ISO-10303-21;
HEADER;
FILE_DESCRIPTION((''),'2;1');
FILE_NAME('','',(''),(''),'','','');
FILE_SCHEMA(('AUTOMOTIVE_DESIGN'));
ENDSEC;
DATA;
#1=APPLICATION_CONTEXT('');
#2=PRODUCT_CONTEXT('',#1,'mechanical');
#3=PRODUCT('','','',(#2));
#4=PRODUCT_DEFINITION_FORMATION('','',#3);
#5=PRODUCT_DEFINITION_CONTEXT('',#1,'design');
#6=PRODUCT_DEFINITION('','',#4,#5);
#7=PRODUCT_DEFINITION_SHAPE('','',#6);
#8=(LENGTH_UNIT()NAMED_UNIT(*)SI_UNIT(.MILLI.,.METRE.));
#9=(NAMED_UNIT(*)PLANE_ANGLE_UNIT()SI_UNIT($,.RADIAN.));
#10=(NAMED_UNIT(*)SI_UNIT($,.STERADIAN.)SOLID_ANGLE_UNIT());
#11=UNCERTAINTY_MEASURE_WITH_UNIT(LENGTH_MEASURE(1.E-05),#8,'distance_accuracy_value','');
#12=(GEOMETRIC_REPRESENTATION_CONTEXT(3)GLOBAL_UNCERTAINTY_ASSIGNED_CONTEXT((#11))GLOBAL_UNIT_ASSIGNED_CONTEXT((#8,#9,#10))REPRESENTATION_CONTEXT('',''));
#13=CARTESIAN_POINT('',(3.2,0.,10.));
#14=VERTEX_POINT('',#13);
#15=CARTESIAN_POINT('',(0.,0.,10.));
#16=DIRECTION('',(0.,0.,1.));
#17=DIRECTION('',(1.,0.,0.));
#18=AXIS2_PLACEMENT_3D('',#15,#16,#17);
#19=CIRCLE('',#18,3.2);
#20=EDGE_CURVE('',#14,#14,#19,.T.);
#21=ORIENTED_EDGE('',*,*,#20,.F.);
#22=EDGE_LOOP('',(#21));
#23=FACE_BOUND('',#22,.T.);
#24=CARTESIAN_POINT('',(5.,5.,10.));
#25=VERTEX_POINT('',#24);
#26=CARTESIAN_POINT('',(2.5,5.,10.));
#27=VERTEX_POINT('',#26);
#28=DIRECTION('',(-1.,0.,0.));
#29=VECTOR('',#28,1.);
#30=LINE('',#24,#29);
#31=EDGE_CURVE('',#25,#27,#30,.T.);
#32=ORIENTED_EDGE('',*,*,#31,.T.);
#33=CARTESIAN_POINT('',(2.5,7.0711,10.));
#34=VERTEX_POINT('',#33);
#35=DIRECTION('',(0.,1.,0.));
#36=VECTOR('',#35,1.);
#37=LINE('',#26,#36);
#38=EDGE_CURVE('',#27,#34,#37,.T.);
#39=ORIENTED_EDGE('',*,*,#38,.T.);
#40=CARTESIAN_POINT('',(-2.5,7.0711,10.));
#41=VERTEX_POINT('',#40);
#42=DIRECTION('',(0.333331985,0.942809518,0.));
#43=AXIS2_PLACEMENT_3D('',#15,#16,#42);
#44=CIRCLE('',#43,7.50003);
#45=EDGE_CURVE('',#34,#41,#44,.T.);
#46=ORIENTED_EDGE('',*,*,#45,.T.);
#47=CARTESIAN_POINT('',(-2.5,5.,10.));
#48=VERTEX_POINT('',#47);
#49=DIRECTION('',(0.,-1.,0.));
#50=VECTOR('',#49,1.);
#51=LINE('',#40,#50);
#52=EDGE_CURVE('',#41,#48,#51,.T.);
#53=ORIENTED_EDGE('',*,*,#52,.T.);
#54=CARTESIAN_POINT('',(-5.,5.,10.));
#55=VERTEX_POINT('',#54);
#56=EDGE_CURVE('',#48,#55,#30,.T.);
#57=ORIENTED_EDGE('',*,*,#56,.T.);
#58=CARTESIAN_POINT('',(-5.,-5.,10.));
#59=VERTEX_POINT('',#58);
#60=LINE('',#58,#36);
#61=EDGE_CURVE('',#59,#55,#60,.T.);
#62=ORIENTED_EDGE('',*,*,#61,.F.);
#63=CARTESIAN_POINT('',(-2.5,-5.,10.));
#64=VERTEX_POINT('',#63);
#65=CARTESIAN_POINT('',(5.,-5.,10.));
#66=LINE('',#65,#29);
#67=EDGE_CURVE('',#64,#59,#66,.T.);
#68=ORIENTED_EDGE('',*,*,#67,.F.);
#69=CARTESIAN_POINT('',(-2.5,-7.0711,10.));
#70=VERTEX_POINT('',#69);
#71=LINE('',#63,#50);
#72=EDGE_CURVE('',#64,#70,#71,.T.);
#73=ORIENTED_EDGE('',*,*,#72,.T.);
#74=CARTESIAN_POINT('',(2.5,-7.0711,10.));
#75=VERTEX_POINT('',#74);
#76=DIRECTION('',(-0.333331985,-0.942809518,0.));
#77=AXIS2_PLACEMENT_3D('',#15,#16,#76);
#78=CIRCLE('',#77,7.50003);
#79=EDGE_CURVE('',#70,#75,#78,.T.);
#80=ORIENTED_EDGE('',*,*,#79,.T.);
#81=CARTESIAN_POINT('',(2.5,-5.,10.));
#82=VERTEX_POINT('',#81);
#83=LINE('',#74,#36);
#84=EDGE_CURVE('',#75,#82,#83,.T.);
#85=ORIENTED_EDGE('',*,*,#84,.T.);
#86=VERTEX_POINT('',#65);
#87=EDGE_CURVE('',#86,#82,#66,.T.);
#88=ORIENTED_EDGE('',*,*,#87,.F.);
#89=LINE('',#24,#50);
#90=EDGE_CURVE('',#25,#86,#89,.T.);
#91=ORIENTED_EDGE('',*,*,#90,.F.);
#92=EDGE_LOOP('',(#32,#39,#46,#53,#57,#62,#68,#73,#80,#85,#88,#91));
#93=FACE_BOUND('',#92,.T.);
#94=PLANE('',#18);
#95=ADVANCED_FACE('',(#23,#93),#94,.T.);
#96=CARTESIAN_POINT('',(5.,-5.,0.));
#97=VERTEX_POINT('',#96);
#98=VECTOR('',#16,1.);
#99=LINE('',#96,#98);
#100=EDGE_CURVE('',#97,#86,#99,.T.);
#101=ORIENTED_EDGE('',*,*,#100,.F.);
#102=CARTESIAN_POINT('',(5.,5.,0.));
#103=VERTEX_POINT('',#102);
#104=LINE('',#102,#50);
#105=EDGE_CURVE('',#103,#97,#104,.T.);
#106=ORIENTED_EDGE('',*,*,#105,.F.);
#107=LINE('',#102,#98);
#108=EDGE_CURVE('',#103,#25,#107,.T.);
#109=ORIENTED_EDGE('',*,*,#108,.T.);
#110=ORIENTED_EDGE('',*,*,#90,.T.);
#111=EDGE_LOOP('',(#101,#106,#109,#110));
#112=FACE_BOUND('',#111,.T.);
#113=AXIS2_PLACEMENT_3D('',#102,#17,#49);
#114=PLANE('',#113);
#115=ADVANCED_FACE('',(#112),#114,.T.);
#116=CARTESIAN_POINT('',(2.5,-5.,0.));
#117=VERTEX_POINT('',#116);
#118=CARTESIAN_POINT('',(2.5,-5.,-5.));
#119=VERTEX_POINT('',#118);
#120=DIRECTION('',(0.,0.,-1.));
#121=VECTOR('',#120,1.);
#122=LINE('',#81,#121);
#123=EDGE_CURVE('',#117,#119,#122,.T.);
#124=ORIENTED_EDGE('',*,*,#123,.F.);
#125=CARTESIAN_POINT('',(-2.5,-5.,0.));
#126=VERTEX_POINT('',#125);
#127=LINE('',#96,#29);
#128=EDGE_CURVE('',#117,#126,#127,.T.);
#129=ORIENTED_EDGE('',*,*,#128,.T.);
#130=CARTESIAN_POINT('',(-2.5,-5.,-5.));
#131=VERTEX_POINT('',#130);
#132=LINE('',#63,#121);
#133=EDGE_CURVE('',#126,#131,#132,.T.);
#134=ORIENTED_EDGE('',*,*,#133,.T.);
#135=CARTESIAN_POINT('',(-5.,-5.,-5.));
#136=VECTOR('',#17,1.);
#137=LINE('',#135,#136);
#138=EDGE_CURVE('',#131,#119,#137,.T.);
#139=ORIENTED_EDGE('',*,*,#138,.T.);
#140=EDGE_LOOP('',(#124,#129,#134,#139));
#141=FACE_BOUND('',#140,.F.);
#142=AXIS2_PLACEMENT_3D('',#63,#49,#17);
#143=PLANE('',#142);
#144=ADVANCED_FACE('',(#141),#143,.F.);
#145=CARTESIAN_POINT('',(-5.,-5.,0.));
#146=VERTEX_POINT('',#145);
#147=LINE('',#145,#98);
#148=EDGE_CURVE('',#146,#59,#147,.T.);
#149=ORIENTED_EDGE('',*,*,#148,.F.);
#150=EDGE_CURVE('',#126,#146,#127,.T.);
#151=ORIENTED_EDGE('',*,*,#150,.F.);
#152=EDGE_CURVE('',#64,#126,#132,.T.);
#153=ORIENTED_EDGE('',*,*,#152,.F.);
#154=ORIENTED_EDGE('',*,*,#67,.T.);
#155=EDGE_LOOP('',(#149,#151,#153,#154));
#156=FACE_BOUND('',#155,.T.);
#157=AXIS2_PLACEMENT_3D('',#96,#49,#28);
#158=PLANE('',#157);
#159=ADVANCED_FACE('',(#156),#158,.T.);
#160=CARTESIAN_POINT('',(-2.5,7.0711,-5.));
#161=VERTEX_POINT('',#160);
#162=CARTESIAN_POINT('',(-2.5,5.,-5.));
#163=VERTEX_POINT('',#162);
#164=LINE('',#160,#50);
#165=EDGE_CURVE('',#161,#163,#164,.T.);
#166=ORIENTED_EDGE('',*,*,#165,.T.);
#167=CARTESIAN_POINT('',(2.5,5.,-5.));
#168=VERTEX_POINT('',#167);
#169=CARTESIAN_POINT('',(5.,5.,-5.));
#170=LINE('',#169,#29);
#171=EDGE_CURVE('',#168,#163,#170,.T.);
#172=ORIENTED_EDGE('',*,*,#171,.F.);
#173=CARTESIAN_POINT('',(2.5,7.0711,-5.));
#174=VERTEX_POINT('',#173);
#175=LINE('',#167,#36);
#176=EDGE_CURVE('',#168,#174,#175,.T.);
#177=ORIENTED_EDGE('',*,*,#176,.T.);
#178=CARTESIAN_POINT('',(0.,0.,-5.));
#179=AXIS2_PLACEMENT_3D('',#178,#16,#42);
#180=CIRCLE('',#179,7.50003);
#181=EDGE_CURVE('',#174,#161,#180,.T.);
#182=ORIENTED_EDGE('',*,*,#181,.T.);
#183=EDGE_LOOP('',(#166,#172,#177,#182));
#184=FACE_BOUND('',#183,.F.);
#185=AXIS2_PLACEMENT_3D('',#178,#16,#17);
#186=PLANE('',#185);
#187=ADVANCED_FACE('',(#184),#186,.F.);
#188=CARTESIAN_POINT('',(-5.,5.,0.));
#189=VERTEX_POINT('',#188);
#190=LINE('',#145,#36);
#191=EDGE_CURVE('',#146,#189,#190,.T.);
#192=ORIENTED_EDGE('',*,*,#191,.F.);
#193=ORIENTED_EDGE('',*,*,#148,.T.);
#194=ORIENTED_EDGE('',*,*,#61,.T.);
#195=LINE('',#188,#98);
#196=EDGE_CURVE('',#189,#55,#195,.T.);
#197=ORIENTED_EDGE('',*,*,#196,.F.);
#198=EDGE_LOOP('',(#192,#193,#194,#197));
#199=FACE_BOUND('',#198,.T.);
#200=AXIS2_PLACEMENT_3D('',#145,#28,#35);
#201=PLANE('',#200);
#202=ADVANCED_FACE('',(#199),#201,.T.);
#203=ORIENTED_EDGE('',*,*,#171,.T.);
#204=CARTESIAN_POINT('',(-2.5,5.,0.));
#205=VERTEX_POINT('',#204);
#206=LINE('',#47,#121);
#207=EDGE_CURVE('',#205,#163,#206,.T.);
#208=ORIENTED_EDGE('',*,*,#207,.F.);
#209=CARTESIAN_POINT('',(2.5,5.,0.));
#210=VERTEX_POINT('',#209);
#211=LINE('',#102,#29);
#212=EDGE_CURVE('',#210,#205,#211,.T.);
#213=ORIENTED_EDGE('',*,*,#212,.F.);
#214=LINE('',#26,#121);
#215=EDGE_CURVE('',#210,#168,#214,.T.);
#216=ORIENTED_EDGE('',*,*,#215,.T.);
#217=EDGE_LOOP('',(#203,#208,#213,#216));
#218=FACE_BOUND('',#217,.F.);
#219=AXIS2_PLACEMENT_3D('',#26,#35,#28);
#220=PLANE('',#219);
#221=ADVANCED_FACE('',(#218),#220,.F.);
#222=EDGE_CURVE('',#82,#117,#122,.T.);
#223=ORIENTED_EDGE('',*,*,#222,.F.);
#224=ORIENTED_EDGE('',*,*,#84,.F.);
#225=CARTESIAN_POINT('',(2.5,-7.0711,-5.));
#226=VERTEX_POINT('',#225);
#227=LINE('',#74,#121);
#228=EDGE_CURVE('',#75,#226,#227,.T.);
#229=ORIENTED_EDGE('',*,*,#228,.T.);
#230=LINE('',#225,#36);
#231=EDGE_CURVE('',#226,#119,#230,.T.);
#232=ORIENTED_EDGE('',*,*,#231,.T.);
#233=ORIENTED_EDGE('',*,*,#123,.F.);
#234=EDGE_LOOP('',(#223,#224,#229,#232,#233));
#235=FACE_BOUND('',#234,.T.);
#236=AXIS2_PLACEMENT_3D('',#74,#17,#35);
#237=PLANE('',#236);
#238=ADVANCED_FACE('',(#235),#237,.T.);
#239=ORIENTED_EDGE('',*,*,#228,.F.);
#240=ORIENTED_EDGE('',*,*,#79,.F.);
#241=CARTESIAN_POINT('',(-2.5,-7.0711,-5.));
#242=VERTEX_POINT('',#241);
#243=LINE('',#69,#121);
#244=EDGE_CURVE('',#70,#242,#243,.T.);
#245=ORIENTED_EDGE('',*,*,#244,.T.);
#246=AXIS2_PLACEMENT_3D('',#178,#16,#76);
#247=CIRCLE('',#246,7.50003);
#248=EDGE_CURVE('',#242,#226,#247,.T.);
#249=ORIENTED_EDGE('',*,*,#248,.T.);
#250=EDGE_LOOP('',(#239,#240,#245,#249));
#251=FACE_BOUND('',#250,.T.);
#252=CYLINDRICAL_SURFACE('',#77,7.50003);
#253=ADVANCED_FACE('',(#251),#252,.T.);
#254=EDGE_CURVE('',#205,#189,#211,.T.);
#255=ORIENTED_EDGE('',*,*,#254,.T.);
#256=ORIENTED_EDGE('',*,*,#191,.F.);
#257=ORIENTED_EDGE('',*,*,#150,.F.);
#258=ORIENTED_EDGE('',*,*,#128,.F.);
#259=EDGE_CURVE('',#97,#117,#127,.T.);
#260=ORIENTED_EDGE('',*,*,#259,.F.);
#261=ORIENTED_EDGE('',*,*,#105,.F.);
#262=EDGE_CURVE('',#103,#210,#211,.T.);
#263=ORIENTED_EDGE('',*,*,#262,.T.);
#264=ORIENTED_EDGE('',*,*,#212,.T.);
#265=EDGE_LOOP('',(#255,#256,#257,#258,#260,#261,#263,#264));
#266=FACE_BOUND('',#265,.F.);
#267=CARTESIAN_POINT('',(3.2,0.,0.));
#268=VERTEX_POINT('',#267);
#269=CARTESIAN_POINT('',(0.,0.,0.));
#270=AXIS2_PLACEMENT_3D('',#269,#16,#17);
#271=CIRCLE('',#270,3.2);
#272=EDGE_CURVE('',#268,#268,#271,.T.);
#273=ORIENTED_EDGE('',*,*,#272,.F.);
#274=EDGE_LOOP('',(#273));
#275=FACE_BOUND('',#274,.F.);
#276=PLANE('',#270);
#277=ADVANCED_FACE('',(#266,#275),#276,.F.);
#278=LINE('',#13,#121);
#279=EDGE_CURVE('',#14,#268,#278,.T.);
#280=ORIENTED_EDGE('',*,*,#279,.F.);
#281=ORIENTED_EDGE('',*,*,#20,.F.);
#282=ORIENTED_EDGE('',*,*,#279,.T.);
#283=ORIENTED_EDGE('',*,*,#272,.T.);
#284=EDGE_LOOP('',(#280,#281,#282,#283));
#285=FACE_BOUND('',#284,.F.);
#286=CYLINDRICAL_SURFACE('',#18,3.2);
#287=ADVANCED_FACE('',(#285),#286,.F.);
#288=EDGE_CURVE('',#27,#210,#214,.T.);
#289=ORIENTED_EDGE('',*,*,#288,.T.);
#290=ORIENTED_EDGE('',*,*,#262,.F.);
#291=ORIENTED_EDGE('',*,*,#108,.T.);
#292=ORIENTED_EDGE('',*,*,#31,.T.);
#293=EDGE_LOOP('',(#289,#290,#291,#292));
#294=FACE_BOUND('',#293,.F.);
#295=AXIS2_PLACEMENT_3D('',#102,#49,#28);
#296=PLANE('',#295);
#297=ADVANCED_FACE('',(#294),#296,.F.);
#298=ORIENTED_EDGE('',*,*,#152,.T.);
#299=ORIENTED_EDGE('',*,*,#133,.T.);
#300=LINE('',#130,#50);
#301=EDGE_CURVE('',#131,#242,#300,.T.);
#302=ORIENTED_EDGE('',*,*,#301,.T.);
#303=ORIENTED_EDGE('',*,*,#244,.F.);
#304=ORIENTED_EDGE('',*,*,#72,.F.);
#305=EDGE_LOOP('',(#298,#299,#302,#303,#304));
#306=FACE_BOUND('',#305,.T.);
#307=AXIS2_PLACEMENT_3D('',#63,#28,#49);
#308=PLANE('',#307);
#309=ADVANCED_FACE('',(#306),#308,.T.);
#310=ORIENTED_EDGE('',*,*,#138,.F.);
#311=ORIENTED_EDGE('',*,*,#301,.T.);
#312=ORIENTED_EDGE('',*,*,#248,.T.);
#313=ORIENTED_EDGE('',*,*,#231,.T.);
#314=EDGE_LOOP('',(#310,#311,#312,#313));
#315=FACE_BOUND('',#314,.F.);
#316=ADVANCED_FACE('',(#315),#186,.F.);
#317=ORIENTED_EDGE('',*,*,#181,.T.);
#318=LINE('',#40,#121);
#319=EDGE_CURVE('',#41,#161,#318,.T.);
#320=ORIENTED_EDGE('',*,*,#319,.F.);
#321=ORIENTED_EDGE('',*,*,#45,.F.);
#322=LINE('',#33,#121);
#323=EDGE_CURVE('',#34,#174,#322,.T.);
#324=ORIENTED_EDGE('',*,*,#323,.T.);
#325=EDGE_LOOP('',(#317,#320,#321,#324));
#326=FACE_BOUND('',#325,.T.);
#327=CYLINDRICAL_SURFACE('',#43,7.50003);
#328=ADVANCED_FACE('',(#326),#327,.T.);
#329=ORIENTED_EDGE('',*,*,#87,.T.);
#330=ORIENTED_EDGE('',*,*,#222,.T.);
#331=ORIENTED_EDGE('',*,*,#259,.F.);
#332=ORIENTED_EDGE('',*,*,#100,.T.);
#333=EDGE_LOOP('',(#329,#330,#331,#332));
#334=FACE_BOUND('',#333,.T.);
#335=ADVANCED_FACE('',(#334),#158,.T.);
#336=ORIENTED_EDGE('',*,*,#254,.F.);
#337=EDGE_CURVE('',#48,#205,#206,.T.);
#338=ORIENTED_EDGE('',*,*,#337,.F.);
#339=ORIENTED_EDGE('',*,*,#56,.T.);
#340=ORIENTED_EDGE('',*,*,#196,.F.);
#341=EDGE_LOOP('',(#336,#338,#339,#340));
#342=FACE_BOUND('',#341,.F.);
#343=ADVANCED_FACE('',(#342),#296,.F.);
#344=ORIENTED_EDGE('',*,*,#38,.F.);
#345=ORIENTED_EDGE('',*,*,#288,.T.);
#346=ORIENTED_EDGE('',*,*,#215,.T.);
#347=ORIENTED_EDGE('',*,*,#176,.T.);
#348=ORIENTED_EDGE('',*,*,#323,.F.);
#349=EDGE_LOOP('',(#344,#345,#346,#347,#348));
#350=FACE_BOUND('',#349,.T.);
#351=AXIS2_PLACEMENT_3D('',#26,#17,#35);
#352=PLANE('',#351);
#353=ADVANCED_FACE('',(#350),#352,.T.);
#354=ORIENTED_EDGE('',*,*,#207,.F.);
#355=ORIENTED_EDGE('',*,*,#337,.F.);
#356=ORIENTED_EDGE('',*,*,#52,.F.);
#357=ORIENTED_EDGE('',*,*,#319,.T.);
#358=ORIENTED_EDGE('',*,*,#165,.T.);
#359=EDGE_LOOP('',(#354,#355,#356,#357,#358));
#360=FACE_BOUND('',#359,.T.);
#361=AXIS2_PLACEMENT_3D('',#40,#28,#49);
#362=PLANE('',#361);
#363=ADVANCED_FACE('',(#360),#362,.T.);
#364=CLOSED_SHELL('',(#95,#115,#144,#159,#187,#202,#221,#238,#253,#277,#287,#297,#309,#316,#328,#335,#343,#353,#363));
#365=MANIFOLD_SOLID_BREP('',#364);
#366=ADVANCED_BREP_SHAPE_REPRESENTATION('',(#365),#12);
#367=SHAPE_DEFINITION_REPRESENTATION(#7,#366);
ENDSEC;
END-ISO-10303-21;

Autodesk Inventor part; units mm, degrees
ref_plane "YZ Plane" through (0, 0, 0) normal (1, 0, 0) x (0, 1, 0)
ref_plane "XZ Plane" through (0, 0, 0) normal (0, 1, 0) x (-1, 0, 0)
ref_plane "XY Plane" through (0, 0, 0) normal (0, 0, 1) x (1, 0, 0)
sketch "Sketch1" plane through (0, 0, 0) normal (0, 0, 1) x (1, 0, 0)
  line L0 (5, 5) -> (5, -5)
  line L1 (-5, -5) -> (-5, 5)
  line L2 (5, 5) -> (-5, 5)
  line L3 (5, -5) -> (-5, -5)
  point P0 (0, 0)
  dimension "d16" = 10
  dimension "d17" = 10
  dimension "d18" = 5
  dimension "d19" = 5
extrude "Extrusion1" add sketch "Sketch1" along normal blind 10
sketch "Sketch3" plane through (0, 0, 10) normal (0, 0, 1) x (1, 0, 0)
  circle A0 centre (0, 0) radius 3.2
  dimension "d13" = 6.4
extrude "Extrusion3" cut sketch "Sketch3" against normal up to next
sketch "Sketch4" plane through (0, 0, 10) normal (0, 0, 1) x (1, 0, 0)
  arc A0 (-2.5, -7.0711) -> (2.5, -7.0711) centre (0, 0) ccw
  arc A1 (2.5, 7.0711) -> (-2.5, 7.0711) centre (0, 0) ccw
  line L0 (5, 5) -> (-5, 5) projected
  line L1 (-5, -5) -> (5, -5) projected
  line L2 (-2.5, 5) -> (2.5, 5)
  line L3 (2.5, -5) -> (-2.5, -5)
  line L4 (-2.5, 7.0711) -> (-2.5, 5)
  line L5 (-2.5, -5) -> (-2.5, -7.0711)
  line L6 (2.5, -7.0711) -> (2.5, -5)
  line L7 (2.5, 5) -> (2.5, 7.0711)
extrude "Extrusion4" add sketch "Sketch4" against normal blind 15
equation "\"d18\" = 0.5 * d16"
equation "\"d19\" = 0.5 * d17"
properties part number "PotHandle"
